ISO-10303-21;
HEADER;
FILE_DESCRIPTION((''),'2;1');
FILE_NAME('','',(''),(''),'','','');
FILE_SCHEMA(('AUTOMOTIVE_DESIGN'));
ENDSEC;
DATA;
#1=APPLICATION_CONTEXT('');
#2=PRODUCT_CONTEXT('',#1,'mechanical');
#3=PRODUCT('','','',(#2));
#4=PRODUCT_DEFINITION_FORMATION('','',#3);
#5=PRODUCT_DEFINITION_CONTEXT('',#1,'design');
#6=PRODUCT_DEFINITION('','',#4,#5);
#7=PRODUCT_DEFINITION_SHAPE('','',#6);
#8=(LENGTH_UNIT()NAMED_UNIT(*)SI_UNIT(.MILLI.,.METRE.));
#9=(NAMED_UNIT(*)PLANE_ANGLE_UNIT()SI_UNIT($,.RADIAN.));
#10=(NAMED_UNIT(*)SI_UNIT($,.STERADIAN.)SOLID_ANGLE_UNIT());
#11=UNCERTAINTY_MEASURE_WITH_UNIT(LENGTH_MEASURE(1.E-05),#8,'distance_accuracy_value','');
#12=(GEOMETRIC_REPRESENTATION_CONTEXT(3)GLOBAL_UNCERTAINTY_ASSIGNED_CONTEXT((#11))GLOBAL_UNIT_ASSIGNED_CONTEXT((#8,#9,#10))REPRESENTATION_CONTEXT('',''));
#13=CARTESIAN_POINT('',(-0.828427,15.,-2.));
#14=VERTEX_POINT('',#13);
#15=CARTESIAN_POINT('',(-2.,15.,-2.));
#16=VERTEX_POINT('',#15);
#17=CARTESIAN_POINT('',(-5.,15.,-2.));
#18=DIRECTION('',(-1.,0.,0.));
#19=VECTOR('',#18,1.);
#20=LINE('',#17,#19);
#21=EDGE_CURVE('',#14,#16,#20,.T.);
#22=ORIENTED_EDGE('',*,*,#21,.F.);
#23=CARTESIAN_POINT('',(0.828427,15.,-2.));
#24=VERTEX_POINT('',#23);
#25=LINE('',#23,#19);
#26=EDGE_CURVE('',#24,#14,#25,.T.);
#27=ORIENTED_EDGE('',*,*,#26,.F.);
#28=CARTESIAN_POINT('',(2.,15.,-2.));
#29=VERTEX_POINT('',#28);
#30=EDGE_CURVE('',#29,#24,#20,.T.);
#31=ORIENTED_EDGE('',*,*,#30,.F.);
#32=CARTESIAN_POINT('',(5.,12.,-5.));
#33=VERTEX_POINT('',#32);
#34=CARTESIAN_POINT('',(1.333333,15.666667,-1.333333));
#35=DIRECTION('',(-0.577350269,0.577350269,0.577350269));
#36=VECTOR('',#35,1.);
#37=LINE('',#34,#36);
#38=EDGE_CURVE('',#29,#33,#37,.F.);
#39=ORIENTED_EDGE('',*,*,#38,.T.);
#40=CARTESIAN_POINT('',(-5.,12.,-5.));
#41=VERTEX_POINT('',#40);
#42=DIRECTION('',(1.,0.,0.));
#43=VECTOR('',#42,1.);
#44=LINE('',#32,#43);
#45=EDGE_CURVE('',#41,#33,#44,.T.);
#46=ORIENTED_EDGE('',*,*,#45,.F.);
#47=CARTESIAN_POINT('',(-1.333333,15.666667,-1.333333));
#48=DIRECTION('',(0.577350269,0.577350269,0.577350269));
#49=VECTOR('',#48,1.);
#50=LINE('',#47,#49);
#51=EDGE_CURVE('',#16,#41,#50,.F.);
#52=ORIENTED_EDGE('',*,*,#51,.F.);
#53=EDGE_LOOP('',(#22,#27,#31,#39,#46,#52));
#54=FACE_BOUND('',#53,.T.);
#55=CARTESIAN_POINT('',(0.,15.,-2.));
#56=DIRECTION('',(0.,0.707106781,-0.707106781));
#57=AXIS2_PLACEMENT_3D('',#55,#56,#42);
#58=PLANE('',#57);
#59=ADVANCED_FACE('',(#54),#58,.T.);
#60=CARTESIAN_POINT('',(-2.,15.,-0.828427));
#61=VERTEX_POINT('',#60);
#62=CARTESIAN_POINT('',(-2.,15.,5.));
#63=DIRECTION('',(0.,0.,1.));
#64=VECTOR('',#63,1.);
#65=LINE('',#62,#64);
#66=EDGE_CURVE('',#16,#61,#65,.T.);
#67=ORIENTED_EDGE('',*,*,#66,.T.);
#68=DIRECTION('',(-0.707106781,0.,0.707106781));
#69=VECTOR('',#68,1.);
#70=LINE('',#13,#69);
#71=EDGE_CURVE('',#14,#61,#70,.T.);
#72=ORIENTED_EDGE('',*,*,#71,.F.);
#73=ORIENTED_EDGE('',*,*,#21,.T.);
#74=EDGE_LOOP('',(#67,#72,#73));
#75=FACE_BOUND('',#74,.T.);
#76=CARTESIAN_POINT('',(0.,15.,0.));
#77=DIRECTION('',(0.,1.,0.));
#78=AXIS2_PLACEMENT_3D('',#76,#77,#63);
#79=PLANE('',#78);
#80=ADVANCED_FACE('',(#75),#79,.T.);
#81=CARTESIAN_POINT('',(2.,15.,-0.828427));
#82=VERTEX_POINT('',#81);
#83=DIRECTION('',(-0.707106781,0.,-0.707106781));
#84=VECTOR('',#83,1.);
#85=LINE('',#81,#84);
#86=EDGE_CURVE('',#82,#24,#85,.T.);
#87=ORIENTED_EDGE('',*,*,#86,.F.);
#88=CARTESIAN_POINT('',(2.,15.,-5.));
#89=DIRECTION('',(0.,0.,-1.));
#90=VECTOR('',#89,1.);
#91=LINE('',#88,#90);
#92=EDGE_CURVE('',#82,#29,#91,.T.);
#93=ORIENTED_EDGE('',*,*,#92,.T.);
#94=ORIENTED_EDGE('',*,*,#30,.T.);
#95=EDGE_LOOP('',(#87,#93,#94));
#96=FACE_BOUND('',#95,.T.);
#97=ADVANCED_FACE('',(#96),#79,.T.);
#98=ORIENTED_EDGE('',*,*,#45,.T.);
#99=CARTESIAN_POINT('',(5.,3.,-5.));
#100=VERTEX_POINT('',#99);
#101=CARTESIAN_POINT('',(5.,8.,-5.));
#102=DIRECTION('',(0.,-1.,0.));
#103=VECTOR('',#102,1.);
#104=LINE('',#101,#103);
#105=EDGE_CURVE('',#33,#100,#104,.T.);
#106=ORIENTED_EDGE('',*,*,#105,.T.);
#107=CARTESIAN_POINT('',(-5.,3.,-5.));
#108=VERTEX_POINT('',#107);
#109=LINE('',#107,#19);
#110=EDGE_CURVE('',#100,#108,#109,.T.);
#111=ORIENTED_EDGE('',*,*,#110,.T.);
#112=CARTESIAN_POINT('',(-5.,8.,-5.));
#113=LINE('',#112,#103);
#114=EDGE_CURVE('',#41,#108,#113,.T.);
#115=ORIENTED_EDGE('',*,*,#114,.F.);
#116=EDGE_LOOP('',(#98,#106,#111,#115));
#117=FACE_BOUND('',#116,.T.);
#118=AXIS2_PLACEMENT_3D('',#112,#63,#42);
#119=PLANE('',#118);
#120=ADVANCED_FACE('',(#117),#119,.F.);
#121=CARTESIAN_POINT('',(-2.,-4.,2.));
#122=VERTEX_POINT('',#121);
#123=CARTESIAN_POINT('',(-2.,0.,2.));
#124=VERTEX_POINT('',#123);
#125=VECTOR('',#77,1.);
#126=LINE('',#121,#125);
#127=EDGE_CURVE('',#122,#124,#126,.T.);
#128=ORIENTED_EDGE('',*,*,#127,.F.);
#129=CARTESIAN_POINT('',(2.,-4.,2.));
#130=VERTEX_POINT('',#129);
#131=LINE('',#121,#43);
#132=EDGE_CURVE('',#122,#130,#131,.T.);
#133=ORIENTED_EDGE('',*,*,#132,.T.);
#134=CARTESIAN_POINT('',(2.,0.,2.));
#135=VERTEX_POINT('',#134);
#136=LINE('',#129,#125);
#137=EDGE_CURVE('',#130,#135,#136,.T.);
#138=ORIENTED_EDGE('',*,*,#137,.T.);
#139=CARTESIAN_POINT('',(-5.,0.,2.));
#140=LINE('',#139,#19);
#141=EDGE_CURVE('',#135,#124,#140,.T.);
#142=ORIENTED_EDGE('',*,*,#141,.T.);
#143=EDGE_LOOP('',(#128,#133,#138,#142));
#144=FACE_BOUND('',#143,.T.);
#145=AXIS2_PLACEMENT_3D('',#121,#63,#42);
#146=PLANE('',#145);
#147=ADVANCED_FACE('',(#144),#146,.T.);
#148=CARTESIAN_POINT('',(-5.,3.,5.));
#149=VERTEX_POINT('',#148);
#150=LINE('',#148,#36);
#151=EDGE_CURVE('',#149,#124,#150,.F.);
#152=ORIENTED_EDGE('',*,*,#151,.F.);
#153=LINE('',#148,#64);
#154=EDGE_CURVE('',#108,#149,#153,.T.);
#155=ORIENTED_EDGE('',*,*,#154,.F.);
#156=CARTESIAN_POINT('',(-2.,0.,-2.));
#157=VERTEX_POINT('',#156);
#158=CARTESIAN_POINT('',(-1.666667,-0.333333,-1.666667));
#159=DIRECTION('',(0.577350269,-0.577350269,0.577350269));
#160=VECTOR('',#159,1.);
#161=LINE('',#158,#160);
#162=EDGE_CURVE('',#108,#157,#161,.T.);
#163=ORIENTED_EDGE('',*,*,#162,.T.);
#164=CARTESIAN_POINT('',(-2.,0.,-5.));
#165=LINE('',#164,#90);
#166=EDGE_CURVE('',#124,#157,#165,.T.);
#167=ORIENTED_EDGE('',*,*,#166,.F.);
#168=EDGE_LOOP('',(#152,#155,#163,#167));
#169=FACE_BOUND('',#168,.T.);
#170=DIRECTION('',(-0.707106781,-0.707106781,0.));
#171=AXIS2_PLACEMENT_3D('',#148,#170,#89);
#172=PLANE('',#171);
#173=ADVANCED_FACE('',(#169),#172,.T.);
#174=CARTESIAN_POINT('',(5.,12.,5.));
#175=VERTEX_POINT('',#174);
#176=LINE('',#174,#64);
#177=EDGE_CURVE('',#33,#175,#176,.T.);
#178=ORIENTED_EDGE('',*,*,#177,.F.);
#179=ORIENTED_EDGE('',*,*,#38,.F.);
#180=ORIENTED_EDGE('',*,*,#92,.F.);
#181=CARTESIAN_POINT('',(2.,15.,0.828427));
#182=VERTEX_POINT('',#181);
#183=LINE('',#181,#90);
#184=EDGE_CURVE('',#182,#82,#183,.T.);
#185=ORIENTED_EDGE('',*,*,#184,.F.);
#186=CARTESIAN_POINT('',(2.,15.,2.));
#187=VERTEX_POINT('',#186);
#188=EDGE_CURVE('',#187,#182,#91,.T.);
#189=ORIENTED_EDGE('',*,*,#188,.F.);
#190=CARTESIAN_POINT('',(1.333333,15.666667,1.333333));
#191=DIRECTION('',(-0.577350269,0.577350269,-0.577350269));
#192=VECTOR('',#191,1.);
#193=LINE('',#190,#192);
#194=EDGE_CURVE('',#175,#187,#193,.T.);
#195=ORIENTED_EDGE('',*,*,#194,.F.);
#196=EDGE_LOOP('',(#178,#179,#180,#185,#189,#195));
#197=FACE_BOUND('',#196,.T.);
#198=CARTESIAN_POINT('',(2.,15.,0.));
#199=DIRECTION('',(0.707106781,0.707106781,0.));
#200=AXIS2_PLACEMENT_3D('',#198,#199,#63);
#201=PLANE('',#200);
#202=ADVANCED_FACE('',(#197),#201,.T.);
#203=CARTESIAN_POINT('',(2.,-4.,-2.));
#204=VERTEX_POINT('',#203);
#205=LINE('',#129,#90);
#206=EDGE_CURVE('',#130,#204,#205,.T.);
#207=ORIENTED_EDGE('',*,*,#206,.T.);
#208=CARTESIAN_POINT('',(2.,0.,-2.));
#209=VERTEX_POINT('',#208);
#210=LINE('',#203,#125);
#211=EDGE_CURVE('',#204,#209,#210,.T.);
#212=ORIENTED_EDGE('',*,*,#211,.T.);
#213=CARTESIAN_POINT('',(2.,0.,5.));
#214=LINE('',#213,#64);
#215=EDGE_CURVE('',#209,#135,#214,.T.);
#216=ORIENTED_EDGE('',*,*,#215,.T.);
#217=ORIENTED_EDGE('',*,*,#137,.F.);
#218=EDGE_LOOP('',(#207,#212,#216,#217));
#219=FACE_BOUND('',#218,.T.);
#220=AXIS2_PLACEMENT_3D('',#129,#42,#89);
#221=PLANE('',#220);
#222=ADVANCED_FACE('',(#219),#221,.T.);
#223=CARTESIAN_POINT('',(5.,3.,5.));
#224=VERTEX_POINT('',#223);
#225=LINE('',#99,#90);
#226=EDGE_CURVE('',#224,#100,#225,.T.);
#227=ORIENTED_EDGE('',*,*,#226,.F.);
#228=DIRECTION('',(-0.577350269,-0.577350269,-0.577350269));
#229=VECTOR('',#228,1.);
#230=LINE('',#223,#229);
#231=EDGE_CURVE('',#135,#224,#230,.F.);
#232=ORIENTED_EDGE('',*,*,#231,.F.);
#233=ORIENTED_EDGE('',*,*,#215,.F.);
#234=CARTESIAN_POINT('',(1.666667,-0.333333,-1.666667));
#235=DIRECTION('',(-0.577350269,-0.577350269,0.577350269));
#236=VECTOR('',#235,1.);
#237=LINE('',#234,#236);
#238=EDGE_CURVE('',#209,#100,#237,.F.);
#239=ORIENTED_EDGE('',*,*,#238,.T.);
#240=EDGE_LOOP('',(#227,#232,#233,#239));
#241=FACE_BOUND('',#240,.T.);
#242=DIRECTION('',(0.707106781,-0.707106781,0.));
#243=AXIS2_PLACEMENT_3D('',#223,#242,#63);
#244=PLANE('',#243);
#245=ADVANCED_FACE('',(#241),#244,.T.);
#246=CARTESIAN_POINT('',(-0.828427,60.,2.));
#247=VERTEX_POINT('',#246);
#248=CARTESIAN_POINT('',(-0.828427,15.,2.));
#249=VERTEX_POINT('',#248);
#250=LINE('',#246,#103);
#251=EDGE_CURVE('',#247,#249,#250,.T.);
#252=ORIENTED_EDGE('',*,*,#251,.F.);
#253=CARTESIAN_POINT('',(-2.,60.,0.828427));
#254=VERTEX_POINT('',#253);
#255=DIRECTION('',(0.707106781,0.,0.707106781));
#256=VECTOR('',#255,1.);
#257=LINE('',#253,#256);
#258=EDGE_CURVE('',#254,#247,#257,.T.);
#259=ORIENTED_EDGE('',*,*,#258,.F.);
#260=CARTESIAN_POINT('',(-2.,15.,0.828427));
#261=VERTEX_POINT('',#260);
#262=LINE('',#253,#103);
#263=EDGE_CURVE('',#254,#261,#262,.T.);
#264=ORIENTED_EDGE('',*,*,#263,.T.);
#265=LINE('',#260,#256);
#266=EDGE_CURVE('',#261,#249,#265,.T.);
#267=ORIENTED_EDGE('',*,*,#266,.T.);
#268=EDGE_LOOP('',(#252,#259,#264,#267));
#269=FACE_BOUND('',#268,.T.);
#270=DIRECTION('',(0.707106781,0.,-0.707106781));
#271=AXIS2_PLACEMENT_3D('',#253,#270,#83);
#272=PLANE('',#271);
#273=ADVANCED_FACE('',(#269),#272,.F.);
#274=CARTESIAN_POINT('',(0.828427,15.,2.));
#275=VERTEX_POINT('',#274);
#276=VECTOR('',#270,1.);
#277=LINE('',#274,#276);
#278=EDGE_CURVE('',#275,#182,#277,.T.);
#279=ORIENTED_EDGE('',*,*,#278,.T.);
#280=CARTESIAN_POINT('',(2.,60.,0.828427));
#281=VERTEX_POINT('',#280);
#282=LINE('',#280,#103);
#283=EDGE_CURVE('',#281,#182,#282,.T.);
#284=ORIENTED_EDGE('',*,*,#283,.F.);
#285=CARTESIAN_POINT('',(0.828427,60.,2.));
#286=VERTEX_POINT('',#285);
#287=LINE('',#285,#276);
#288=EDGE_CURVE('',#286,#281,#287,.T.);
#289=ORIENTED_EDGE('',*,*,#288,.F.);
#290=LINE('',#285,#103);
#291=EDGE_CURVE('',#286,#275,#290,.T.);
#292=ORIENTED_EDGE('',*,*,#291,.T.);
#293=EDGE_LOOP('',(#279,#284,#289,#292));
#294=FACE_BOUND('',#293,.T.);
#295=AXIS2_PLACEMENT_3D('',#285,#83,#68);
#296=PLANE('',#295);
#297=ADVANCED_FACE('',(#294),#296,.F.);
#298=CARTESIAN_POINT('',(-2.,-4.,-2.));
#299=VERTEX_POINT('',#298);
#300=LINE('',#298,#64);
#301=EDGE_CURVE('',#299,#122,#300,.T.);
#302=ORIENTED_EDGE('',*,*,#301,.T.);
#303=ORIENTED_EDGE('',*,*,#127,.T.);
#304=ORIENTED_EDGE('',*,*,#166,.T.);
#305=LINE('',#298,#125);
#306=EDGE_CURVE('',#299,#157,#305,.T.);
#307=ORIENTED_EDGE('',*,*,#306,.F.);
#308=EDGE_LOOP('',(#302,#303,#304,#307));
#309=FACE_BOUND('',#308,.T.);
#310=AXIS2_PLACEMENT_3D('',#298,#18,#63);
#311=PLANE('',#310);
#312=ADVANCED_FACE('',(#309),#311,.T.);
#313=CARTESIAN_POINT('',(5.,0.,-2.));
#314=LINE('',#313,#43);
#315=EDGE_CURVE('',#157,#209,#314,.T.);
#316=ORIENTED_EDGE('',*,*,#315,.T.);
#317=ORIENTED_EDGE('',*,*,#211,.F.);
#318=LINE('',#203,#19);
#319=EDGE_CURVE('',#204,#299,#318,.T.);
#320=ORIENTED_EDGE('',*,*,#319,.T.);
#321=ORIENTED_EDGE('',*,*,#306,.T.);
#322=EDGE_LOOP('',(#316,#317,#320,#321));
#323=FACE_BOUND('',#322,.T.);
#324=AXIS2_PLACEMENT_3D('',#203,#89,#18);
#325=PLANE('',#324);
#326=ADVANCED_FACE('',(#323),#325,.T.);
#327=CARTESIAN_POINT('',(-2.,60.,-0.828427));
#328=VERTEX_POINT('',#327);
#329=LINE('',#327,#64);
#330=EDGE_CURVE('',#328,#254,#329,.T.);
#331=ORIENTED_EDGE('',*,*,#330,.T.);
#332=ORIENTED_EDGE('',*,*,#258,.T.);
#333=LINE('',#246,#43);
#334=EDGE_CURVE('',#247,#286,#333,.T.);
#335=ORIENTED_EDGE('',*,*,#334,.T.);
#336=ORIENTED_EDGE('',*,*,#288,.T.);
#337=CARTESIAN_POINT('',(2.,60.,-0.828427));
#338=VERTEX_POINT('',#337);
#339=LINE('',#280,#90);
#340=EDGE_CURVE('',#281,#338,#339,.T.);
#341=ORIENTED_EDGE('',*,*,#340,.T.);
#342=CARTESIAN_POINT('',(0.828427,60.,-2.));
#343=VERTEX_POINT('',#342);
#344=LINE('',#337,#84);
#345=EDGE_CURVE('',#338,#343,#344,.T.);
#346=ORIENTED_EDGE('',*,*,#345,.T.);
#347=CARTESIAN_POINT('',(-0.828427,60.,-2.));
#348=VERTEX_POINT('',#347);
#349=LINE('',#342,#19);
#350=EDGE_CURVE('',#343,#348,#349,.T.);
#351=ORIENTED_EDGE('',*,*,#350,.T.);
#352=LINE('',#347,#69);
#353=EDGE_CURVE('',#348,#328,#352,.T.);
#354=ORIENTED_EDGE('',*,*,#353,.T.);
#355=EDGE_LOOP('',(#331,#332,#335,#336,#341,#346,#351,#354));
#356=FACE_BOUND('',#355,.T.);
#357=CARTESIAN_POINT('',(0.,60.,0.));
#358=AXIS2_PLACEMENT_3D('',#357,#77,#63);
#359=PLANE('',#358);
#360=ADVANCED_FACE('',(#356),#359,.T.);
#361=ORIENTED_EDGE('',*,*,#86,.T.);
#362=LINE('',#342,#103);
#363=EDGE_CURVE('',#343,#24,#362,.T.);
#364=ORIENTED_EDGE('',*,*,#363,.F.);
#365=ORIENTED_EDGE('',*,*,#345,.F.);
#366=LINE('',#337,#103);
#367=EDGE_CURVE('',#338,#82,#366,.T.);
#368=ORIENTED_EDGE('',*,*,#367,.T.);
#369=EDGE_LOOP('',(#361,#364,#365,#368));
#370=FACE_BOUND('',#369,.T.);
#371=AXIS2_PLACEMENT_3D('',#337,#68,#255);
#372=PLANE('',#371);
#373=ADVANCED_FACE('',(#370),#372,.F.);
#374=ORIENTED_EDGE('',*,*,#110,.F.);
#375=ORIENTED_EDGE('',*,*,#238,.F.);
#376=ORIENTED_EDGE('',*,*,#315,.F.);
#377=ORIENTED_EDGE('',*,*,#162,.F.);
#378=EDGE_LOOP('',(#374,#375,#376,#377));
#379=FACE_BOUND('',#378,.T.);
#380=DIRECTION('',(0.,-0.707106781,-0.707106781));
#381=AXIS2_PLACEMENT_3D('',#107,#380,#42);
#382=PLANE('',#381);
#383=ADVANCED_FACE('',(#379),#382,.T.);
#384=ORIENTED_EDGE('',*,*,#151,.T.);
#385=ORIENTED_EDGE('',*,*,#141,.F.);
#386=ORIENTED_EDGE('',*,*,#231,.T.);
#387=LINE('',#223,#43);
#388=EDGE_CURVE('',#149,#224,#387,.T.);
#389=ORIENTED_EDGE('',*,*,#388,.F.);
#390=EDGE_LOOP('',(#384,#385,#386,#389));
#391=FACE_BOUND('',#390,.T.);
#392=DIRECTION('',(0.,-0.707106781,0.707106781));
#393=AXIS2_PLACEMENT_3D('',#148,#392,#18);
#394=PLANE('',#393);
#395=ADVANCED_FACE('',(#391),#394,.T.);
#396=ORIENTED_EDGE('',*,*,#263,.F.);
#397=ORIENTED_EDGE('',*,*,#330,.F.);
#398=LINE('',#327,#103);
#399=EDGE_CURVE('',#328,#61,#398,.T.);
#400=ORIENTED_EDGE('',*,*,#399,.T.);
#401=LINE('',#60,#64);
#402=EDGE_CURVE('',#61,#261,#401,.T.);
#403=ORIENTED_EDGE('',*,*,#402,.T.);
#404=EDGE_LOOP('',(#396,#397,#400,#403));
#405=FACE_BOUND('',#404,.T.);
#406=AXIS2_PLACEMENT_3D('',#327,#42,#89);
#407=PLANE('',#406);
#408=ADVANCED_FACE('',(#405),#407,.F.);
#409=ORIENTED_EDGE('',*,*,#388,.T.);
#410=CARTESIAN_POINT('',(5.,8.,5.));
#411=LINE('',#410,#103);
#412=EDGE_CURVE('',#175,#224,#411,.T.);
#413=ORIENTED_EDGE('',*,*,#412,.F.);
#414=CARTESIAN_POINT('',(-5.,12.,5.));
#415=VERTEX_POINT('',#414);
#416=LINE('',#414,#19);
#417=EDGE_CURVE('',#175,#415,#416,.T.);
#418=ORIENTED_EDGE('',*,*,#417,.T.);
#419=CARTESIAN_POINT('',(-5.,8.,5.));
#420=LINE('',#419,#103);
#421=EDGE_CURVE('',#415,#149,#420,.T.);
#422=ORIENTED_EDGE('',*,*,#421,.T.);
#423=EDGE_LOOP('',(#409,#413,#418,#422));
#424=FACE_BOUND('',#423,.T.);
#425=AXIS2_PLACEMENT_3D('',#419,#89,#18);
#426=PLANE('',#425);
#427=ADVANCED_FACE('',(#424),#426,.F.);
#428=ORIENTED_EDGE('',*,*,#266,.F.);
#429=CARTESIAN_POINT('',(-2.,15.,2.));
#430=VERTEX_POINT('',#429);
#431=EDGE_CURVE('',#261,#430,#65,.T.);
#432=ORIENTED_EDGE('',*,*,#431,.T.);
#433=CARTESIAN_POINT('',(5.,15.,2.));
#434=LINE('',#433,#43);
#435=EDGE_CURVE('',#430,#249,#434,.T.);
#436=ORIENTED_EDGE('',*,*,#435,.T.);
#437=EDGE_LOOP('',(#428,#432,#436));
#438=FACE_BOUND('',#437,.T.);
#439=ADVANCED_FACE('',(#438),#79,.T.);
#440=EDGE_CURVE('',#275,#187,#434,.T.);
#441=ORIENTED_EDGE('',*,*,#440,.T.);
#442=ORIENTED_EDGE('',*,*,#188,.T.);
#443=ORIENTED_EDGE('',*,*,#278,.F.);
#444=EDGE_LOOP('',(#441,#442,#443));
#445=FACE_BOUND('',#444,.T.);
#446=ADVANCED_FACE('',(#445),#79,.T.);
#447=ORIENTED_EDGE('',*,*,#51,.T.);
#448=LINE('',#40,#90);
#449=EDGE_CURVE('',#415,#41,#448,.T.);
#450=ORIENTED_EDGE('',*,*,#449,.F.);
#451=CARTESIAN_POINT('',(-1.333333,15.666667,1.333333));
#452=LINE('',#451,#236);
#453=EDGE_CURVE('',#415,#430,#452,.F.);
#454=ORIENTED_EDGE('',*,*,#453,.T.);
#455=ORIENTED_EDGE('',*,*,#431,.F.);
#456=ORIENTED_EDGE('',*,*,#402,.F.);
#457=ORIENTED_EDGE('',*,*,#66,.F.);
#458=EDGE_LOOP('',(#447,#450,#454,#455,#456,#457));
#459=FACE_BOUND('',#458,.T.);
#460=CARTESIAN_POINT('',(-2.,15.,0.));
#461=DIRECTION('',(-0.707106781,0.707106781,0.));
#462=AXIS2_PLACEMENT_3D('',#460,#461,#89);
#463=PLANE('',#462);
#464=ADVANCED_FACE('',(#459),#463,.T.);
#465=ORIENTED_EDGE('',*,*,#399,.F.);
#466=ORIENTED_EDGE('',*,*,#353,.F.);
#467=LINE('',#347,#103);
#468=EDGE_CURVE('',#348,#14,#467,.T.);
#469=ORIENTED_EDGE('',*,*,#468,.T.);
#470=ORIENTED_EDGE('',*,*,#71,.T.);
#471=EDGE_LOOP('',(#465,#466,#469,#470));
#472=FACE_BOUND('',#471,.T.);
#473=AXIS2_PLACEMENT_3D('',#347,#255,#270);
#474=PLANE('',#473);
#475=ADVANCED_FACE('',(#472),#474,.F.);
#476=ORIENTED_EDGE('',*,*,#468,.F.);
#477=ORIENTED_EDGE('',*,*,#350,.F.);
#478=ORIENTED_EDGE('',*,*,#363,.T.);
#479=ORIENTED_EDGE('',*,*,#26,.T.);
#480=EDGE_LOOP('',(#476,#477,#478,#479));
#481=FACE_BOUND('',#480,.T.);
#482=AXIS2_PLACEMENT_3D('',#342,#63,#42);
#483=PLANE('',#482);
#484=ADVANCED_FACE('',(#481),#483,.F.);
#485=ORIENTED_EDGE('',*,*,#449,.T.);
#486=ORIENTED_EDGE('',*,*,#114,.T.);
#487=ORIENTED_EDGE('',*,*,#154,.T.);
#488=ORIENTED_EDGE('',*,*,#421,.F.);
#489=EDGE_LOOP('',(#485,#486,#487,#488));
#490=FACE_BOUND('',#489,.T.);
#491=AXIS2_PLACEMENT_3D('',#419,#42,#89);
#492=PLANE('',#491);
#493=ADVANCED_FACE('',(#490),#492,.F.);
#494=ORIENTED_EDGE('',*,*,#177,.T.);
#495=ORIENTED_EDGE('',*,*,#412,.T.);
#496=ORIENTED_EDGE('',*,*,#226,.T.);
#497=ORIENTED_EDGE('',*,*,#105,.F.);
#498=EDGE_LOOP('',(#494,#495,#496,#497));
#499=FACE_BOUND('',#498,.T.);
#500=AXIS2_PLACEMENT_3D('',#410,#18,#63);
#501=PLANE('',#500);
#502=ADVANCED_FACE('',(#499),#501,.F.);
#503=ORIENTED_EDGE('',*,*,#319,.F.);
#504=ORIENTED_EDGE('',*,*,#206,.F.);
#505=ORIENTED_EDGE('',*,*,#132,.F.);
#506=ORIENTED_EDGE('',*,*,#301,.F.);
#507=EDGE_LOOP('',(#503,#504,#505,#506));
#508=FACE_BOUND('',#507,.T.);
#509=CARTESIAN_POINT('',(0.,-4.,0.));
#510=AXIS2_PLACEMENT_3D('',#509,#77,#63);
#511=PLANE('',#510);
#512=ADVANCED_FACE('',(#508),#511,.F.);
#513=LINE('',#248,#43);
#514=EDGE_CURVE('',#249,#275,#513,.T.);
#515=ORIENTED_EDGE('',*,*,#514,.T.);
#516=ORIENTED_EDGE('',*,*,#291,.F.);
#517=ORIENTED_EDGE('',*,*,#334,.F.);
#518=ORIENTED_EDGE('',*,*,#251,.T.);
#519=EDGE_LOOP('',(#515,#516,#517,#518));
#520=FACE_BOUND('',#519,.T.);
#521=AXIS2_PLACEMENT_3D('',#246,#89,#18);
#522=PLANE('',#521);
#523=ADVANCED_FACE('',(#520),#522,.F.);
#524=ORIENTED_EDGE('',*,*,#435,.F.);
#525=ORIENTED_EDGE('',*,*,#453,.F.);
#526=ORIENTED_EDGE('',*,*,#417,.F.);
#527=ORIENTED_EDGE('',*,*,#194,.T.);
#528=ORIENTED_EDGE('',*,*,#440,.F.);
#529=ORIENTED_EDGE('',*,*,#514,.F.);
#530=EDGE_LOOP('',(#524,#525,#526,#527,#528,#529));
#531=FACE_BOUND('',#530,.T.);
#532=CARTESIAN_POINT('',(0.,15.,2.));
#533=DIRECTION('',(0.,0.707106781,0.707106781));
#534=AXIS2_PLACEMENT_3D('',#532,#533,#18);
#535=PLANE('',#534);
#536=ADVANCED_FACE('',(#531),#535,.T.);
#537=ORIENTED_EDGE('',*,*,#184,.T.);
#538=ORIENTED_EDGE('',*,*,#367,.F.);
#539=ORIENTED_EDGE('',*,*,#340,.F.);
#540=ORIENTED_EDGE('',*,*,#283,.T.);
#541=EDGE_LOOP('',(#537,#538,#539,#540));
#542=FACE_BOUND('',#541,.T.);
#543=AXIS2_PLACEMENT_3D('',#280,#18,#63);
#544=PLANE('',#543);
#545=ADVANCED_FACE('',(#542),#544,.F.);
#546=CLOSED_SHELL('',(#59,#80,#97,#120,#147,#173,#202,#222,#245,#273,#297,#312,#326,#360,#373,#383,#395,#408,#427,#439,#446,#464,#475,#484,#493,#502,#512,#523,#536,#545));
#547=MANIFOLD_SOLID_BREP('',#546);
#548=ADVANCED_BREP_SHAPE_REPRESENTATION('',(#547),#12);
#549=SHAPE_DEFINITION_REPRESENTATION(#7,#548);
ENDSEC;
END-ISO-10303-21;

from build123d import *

# Parameters (mm, degrees)
SKETCH5_W            = 10
SKETCH5_H            = 10
BOSS_EXTRUDE6_DEPTH  = 8
CHAMFER10_SIZE       = 3
SKETCH6_W            = 4
SKETCH6_H            = 4
BOSS_EXTRUDE7_DEPTH  = 4
SKETCH7_W            = 10
SKETCH7_H            = 10
BOSS_EXTRUDE9_DEPTH  = 7
CHAMFER13_SIZE       = 3
BOSS_EXTRUDE11_DEPTH = 45


with BuildPart() as part:
    # Sketch5 → Boss-Extrude6 (new body)
    with BuildSketch(Plane(origin=(0, 0, 0), x_dir=(1, 0, 0), z_dir=(0, 1, 0))):
        Rectangle(SKETCH5_W, SKETCH5_H)
    extrude(amount=BOSS_EXTRUDE6_DEPTH)

    # Chamfer10
    chamfer10_edges = [part.edges().sort_by_distance(p)[0] for p in [
        (0, 0, 5),
        (-5, 0, 0),
        (0, 0, -5),
        (5, 0, 0),
    ]]
    chamfer(chamfer10_edges, length=CHAMFER10_SIZE)

    # Sketch6 → Boss-Extrude7 (add)
    with BuildSketch(Plane(origin=(0, 0, 0), x_dir=(1, 0, 0), z_dir=(0, 1, 0))):
        Rectangle(SKETCH6_W, SKETCH6_H)
    extrude(amount=-BOSS_EXTRUDE7_DEPTH)

    # Sketch7 → Boss-Extrude9 (add)
    with BuildSketch(Plane(origin=(0, 8, 0), x_dir=(1, 0, 0), z_dir=(0, 1, 0))):
        Rectangle(SKETCH7_W, SKETCH7_H)
    extrude(amount=BOSS_EXTRUDE9_DEPTH)

    # Chamfer13
    chamfer13_edges = [part.edges().sort_by_distance(p)[0] for p in [
        (-5, 15, 0),
        (0, 15, 5),
        (5, 15, 0),
        (0, 15, -5),
    ]]
    chamfer(chamfer13_edges, length=CHAMFER13_SIZE)

    # Sketch8 → Boss-Extrude11 (add)
    with BuildSketch(Plane(origin=(0, 15, 0), x_dir=(1, 0, 0), z_dir=(0, 1, 0))):
        Polygon((2, 0.828427125), (0.828427125, 2), (-0.828427125, 2), (-2, 0.828427125), (-2, -0.828427125), (-0.828427125, -2), (0.828427125, -2), (2, -0.828427125), align=None)
    extrude(amount=BOSS_EXTRUDE11_DEPTH)


solid = part.part
